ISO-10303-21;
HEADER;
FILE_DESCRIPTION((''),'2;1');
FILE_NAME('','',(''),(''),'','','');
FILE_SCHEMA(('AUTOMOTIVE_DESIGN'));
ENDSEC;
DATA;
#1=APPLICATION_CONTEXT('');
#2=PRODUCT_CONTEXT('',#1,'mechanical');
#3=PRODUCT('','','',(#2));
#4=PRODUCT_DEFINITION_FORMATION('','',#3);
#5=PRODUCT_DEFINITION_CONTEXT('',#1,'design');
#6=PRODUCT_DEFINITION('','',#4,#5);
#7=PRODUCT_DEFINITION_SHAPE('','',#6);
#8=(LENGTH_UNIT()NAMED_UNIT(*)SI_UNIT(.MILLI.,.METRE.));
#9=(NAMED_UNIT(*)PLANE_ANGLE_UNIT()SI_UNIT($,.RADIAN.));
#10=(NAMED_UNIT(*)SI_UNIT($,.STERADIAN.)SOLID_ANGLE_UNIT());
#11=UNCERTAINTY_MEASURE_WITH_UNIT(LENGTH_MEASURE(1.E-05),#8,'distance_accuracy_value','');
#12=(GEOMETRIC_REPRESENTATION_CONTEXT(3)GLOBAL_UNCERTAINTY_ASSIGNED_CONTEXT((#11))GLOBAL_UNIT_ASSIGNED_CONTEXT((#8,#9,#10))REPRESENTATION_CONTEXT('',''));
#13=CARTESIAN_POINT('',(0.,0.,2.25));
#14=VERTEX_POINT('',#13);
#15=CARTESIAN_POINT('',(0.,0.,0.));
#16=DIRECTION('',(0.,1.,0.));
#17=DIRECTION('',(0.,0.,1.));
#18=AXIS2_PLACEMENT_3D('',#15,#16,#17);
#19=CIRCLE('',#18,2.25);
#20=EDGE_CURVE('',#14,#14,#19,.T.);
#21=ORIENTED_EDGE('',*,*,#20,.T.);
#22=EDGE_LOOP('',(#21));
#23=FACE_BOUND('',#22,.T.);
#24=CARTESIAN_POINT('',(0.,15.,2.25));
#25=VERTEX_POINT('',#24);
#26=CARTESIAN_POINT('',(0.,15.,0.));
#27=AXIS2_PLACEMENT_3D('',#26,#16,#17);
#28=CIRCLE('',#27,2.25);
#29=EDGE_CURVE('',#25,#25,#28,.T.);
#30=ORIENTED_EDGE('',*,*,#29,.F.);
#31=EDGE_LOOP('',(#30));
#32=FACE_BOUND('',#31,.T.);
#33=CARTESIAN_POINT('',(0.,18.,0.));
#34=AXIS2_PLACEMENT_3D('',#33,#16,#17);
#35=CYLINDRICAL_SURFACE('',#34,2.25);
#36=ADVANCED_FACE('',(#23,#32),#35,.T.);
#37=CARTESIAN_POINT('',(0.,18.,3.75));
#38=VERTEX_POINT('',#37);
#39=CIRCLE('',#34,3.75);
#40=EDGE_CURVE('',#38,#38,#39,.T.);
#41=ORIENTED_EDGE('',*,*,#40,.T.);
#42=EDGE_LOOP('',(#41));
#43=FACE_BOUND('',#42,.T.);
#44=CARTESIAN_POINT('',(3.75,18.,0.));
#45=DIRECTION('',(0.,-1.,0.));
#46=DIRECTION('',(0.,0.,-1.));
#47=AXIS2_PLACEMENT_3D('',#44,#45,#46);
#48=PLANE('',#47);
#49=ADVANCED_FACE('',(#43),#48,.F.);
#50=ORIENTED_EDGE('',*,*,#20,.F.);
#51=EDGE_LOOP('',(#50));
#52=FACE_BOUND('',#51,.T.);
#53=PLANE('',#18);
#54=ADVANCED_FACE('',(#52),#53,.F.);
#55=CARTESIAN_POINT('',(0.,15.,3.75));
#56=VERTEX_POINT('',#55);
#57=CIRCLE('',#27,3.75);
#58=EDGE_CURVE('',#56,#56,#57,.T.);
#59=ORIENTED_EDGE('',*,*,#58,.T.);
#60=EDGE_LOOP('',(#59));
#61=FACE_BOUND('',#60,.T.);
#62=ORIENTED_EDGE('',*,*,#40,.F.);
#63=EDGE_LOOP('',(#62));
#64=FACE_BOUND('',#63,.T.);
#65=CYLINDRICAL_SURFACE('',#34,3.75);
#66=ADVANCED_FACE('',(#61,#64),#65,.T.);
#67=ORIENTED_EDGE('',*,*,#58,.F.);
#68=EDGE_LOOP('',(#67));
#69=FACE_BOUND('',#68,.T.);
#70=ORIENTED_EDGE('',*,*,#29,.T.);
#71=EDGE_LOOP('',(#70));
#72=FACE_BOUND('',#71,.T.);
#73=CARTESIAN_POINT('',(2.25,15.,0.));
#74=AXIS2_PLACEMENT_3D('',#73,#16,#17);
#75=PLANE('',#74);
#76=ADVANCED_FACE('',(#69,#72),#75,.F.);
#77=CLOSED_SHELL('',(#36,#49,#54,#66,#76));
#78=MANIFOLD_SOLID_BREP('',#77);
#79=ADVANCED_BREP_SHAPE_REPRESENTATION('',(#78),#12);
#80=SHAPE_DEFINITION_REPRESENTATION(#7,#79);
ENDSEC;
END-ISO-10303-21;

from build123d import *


with BuildPart() as part:
    # Sketch1 → Revolve1 (revolve)
    with BuildSketch(Plane.XY, mode=Mode.PRIVATE) as revolve1_sk:
        Polygon((0, 0), (2.25, 0), (2.25, 15), (3.75, 15), (3.75, 18), (0, 18), align=None)
    revolve(revolve1_sk.sketch.rotate(Axis((0, 18, 0), (0, -1, 0)), 90), axis=Axis((0, 18, 0), (0, -1, 0)))


solid = part.part
